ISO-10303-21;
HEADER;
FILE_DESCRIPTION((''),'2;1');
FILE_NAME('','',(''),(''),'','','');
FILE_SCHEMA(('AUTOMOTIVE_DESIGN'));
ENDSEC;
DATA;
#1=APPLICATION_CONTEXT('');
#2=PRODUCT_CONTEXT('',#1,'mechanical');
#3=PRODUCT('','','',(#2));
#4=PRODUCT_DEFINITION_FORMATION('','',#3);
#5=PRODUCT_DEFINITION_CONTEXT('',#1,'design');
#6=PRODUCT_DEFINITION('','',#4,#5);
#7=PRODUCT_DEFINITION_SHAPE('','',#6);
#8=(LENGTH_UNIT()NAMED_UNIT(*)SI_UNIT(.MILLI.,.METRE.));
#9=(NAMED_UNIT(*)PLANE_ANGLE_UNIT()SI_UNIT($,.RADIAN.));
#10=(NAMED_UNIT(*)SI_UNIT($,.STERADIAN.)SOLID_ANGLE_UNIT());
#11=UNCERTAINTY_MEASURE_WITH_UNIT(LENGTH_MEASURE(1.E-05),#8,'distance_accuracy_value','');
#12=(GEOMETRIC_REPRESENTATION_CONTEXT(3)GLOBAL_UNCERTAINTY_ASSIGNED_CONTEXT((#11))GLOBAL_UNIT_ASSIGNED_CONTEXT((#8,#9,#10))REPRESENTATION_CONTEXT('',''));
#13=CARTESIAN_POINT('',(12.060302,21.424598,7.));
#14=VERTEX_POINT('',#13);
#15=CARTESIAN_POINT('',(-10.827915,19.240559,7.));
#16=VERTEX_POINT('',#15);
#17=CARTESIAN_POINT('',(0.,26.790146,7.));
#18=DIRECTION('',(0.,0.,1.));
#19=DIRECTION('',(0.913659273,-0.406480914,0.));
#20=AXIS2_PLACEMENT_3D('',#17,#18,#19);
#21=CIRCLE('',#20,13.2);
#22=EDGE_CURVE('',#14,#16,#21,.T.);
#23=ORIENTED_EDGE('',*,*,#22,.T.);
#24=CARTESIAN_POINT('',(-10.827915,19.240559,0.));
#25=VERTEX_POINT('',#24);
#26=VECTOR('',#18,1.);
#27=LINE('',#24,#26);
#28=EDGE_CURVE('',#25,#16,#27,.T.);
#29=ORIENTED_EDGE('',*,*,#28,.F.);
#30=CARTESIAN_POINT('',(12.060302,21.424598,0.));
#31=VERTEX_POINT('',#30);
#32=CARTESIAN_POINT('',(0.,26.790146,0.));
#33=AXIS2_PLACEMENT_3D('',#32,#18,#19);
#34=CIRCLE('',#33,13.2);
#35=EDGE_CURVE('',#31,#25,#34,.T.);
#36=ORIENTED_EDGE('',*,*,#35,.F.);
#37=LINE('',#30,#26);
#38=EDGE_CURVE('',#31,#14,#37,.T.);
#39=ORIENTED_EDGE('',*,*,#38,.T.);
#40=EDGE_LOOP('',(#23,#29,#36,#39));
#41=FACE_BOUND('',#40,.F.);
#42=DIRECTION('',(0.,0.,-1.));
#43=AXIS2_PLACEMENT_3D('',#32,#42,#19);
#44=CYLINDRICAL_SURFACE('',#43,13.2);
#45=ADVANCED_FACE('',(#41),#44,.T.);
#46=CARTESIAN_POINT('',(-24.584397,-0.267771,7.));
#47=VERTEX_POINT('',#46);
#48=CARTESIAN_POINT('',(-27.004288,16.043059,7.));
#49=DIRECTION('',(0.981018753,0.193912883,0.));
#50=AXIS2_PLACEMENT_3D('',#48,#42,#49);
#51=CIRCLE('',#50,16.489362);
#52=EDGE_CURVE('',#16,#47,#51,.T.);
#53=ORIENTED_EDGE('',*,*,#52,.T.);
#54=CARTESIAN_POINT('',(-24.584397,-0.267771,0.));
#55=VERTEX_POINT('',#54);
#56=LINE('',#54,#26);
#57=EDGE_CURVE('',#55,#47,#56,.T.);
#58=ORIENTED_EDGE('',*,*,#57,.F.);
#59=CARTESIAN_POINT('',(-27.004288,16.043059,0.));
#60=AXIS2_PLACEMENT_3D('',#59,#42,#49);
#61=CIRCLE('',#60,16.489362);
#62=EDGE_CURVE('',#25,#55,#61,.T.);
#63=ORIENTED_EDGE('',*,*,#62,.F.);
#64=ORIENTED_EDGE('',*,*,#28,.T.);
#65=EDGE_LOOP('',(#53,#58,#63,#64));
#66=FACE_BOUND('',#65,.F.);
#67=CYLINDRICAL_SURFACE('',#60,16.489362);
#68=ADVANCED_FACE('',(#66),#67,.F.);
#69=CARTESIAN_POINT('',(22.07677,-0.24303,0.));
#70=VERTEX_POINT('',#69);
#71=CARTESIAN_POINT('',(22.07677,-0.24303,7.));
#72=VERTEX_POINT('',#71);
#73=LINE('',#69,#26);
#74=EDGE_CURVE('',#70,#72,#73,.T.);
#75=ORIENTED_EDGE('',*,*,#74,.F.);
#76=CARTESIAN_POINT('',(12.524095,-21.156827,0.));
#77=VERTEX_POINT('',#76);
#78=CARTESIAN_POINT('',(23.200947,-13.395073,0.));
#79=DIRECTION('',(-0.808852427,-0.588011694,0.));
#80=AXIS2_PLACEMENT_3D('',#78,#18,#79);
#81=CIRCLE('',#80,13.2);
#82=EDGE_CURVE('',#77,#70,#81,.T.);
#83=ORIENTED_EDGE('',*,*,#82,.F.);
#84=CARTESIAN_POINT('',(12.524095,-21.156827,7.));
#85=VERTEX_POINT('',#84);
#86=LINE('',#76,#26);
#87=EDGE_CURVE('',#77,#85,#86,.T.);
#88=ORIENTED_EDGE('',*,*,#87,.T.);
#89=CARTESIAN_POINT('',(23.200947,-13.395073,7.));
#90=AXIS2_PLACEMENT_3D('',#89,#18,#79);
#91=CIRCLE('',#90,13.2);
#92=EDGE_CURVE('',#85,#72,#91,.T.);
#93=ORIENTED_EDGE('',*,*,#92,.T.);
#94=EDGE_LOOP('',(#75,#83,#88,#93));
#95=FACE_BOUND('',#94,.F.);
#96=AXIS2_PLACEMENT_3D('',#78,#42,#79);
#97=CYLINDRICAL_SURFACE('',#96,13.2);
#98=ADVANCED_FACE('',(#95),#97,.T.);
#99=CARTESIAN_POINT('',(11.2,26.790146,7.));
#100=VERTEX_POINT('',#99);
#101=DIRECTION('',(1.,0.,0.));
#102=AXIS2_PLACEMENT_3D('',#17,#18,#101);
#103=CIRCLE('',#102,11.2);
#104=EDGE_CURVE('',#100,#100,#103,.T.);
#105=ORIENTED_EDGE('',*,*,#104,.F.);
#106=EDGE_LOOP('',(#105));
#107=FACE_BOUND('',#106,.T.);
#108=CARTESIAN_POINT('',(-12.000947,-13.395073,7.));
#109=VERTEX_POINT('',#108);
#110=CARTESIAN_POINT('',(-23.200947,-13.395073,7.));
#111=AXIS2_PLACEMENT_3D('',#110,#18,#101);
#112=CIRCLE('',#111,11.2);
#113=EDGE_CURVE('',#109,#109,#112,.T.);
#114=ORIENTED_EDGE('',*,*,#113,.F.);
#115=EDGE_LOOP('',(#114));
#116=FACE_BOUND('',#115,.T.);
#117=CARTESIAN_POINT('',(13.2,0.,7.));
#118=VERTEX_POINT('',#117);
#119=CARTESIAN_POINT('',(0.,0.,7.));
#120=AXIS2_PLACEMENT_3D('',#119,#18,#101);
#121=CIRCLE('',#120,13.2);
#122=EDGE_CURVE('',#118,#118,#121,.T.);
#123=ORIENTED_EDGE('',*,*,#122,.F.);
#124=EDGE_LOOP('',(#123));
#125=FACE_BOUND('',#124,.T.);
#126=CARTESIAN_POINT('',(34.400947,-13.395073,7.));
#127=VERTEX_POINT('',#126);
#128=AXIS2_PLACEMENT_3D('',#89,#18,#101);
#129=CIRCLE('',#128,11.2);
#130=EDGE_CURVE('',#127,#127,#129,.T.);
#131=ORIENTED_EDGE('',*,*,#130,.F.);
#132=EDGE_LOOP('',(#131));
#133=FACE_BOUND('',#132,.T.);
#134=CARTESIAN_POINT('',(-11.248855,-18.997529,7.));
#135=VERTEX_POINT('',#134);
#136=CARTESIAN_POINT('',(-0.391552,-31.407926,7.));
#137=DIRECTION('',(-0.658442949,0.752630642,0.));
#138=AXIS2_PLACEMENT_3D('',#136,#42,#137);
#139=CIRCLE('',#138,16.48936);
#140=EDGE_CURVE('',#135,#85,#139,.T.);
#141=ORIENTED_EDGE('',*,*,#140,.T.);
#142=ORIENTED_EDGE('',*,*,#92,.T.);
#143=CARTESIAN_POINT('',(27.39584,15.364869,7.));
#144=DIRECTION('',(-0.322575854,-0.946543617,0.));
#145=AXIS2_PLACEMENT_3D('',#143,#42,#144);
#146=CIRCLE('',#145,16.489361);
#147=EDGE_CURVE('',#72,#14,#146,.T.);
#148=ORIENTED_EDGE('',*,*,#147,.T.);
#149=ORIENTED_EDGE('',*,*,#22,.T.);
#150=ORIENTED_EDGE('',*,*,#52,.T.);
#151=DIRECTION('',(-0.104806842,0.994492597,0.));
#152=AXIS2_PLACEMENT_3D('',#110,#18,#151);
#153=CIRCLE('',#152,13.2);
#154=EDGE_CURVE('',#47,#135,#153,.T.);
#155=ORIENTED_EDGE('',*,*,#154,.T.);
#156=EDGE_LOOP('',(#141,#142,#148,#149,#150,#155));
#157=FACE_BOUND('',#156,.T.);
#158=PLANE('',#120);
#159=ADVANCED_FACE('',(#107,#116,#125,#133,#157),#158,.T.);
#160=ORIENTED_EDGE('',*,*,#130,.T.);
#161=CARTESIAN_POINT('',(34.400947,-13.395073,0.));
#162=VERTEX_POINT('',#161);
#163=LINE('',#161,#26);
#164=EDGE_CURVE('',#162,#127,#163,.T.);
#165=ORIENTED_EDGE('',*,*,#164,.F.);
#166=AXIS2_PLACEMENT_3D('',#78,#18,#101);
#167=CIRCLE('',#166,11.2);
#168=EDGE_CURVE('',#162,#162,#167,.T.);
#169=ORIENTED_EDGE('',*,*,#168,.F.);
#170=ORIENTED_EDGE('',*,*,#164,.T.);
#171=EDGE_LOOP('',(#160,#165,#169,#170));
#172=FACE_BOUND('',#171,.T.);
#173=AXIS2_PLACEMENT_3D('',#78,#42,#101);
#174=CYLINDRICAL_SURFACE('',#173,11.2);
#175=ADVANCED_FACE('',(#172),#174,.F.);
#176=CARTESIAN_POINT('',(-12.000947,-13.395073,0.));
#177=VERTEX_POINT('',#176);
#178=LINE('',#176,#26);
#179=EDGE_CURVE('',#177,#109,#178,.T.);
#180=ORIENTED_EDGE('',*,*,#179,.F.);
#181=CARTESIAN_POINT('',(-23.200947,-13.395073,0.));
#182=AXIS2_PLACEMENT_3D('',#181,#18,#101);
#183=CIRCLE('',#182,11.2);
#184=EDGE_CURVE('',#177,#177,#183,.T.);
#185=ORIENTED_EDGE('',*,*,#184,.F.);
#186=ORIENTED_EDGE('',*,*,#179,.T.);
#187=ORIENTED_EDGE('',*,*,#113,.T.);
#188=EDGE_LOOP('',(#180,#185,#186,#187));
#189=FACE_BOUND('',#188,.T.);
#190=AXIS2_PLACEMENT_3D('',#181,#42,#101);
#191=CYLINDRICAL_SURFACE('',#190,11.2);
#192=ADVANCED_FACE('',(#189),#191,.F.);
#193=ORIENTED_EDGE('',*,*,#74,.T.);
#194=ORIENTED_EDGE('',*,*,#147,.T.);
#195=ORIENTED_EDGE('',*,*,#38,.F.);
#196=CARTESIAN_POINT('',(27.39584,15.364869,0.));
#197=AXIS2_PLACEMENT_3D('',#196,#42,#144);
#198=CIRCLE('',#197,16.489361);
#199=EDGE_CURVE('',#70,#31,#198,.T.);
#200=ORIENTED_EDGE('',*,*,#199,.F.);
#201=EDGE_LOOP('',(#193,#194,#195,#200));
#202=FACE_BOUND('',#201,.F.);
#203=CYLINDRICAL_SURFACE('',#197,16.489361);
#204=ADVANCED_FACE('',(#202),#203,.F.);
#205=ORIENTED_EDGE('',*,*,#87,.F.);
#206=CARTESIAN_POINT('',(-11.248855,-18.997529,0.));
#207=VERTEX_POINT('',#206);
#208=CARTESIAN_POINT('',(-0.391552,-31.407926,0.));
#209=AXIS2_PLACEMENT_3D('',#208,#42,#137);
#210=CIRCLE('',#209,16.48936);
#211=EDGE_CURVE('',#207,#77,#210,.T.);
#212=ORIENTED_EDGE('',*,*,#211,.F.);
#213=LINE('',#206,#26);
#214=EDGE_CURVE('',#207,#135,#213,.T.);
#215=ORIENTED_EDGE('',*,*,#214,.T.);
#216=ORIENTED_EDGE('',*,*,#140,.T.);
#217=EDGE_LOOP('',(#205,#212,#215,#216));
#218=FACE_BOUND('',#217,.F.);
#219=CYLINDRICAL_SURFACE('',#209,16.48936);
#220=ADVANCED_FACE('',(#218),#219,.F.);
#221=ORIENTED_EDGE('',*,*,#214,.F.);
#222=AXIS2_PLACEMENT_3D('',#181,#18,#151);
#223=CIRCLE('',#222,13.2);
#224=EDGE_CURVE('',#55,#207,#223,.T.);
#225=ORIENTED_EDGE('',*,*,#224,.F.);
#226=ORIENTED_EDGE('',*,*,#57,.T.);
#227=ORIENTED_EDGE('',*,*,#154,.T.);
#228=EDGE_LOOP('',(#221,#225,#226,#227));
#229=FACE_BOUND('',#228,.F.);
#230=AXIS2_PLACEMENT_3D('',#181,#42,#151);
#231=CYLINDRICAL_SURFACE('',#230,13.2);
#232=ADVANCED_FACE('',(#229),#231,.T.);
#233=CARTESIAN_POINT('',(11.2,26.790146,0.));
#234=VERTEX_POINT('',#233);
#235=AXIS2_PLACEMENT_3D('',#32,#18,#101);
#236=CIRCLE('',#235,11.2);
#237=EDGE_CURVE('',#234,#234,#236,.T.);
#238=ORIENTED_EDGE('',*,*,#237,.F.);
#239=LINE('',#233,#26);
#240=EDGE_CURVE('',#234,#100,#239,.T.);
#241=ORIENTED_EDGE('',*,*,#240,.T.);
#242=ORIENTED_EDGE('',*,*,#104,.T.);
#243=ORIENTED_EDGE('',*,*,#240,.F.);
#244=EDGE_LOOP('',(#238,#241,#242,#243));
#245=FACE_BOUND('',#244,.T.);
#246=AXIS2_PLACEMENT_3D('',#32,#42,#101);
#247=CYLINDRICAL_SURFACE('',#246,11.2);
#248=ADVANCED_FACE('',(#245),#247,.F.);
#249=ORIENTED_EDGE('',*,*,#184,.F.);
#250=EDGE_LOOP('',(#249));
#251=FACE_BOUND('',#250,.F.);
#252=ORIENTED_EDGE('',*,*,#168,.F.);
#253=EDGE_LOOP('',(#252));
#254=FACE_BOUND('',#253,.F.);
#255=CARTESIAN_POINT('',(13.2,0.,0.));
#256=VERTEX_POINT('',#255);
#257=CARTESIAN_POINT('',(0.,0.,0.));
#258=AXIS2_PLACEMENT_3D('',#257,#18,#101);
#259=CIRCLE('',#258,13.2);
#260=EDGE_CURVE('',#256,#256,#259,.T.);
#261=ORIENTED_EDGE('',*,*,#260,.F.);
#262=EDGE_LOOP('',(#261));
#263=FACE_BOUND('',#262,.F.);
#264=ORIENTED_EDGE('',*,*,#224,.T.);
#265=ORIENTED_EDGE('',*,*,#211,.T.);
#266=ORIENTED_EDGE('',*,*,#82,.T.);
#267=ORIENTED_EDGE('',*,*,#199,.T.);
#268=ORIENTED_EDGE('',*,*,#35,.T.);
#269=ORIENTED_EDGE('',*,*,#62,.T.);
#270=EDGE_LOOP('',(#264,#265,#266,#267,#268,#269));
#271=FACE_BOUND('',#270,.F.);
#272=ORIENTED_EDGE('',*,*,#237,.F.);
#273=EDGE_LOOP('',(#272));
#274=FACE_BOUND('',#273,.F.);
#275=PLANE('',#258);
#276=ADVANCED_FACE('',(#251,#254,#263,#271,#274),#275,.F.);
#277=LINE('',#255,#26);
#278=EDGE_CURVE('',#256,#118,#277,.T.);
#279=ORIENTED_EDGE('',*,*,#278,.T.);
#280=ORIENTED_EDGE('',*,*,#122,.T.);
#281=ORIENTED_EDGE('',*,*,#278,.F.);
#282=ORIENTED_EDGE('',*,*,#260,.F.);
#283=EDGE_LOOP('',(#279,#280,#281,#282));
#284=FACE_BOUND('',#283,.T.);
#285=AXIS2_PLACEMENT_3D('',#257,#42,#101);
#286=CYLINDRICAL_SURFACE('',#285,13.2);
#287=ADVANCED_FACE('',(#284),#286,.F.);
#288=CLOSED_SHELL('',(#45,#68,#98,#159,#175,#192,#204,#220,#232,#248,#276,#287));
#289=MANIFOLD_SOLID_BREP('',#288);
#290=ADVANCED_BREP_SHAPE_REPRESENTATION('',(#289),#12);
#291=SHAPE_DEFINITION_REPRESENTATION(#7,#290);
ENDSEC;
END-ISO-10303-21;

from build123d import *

# Parameters (mm, degrees)
F0_R     = 11.2
F0_R_2   = 13.2
F1_DEPTH = 7


with BuildPart() as f1:
    # F0 (on Top) → F1 (new body)
    with BuildSketch(Plane.XY):
        with BuildLine():
            ThreePointArc((22.07677, -0.24303), (12.428384, 8.445744), (12.060302, 21.424598))
            ThreePointArc((12.060302, 21.424598), (-1.253875, 39.930458), (-10.827915, 19.240559))
            ThreePointArc((-10.827915, 19.240559), (-13.528421, 6.540425), (-24.584397, -0.267771))
            ThreePointArc((-24.584397, -0.267771), (-33.953854, -21.051116), (-11.248855, -18.997529))
            ThreePointArc((-11.248855, -18.997529), (1.100036, -14.986168), (12.524095, -21.156827))
            ThreePointArc((12.524095, -21.156827), (35.207728, -18.879342), (22.07677, -0.24303))
        make_face()
        with Locations((-23.200947, -13.395073)):
            Circle(F0_R, mode=Mode.SUBTRACT)
        with Locations((23.200947, -13.395073)):
            Circle(F0_R, mode=Mode.SUBTRACT)
        Circle(F0_R_2, mode=Mode.SUBTRACT)
        with Locations((0, 26.790146)):
            Circle(F0_R, mode=Mode.SUBTRACT)
    extrude(amount=F1_DEPTH)


solid = f1.part
